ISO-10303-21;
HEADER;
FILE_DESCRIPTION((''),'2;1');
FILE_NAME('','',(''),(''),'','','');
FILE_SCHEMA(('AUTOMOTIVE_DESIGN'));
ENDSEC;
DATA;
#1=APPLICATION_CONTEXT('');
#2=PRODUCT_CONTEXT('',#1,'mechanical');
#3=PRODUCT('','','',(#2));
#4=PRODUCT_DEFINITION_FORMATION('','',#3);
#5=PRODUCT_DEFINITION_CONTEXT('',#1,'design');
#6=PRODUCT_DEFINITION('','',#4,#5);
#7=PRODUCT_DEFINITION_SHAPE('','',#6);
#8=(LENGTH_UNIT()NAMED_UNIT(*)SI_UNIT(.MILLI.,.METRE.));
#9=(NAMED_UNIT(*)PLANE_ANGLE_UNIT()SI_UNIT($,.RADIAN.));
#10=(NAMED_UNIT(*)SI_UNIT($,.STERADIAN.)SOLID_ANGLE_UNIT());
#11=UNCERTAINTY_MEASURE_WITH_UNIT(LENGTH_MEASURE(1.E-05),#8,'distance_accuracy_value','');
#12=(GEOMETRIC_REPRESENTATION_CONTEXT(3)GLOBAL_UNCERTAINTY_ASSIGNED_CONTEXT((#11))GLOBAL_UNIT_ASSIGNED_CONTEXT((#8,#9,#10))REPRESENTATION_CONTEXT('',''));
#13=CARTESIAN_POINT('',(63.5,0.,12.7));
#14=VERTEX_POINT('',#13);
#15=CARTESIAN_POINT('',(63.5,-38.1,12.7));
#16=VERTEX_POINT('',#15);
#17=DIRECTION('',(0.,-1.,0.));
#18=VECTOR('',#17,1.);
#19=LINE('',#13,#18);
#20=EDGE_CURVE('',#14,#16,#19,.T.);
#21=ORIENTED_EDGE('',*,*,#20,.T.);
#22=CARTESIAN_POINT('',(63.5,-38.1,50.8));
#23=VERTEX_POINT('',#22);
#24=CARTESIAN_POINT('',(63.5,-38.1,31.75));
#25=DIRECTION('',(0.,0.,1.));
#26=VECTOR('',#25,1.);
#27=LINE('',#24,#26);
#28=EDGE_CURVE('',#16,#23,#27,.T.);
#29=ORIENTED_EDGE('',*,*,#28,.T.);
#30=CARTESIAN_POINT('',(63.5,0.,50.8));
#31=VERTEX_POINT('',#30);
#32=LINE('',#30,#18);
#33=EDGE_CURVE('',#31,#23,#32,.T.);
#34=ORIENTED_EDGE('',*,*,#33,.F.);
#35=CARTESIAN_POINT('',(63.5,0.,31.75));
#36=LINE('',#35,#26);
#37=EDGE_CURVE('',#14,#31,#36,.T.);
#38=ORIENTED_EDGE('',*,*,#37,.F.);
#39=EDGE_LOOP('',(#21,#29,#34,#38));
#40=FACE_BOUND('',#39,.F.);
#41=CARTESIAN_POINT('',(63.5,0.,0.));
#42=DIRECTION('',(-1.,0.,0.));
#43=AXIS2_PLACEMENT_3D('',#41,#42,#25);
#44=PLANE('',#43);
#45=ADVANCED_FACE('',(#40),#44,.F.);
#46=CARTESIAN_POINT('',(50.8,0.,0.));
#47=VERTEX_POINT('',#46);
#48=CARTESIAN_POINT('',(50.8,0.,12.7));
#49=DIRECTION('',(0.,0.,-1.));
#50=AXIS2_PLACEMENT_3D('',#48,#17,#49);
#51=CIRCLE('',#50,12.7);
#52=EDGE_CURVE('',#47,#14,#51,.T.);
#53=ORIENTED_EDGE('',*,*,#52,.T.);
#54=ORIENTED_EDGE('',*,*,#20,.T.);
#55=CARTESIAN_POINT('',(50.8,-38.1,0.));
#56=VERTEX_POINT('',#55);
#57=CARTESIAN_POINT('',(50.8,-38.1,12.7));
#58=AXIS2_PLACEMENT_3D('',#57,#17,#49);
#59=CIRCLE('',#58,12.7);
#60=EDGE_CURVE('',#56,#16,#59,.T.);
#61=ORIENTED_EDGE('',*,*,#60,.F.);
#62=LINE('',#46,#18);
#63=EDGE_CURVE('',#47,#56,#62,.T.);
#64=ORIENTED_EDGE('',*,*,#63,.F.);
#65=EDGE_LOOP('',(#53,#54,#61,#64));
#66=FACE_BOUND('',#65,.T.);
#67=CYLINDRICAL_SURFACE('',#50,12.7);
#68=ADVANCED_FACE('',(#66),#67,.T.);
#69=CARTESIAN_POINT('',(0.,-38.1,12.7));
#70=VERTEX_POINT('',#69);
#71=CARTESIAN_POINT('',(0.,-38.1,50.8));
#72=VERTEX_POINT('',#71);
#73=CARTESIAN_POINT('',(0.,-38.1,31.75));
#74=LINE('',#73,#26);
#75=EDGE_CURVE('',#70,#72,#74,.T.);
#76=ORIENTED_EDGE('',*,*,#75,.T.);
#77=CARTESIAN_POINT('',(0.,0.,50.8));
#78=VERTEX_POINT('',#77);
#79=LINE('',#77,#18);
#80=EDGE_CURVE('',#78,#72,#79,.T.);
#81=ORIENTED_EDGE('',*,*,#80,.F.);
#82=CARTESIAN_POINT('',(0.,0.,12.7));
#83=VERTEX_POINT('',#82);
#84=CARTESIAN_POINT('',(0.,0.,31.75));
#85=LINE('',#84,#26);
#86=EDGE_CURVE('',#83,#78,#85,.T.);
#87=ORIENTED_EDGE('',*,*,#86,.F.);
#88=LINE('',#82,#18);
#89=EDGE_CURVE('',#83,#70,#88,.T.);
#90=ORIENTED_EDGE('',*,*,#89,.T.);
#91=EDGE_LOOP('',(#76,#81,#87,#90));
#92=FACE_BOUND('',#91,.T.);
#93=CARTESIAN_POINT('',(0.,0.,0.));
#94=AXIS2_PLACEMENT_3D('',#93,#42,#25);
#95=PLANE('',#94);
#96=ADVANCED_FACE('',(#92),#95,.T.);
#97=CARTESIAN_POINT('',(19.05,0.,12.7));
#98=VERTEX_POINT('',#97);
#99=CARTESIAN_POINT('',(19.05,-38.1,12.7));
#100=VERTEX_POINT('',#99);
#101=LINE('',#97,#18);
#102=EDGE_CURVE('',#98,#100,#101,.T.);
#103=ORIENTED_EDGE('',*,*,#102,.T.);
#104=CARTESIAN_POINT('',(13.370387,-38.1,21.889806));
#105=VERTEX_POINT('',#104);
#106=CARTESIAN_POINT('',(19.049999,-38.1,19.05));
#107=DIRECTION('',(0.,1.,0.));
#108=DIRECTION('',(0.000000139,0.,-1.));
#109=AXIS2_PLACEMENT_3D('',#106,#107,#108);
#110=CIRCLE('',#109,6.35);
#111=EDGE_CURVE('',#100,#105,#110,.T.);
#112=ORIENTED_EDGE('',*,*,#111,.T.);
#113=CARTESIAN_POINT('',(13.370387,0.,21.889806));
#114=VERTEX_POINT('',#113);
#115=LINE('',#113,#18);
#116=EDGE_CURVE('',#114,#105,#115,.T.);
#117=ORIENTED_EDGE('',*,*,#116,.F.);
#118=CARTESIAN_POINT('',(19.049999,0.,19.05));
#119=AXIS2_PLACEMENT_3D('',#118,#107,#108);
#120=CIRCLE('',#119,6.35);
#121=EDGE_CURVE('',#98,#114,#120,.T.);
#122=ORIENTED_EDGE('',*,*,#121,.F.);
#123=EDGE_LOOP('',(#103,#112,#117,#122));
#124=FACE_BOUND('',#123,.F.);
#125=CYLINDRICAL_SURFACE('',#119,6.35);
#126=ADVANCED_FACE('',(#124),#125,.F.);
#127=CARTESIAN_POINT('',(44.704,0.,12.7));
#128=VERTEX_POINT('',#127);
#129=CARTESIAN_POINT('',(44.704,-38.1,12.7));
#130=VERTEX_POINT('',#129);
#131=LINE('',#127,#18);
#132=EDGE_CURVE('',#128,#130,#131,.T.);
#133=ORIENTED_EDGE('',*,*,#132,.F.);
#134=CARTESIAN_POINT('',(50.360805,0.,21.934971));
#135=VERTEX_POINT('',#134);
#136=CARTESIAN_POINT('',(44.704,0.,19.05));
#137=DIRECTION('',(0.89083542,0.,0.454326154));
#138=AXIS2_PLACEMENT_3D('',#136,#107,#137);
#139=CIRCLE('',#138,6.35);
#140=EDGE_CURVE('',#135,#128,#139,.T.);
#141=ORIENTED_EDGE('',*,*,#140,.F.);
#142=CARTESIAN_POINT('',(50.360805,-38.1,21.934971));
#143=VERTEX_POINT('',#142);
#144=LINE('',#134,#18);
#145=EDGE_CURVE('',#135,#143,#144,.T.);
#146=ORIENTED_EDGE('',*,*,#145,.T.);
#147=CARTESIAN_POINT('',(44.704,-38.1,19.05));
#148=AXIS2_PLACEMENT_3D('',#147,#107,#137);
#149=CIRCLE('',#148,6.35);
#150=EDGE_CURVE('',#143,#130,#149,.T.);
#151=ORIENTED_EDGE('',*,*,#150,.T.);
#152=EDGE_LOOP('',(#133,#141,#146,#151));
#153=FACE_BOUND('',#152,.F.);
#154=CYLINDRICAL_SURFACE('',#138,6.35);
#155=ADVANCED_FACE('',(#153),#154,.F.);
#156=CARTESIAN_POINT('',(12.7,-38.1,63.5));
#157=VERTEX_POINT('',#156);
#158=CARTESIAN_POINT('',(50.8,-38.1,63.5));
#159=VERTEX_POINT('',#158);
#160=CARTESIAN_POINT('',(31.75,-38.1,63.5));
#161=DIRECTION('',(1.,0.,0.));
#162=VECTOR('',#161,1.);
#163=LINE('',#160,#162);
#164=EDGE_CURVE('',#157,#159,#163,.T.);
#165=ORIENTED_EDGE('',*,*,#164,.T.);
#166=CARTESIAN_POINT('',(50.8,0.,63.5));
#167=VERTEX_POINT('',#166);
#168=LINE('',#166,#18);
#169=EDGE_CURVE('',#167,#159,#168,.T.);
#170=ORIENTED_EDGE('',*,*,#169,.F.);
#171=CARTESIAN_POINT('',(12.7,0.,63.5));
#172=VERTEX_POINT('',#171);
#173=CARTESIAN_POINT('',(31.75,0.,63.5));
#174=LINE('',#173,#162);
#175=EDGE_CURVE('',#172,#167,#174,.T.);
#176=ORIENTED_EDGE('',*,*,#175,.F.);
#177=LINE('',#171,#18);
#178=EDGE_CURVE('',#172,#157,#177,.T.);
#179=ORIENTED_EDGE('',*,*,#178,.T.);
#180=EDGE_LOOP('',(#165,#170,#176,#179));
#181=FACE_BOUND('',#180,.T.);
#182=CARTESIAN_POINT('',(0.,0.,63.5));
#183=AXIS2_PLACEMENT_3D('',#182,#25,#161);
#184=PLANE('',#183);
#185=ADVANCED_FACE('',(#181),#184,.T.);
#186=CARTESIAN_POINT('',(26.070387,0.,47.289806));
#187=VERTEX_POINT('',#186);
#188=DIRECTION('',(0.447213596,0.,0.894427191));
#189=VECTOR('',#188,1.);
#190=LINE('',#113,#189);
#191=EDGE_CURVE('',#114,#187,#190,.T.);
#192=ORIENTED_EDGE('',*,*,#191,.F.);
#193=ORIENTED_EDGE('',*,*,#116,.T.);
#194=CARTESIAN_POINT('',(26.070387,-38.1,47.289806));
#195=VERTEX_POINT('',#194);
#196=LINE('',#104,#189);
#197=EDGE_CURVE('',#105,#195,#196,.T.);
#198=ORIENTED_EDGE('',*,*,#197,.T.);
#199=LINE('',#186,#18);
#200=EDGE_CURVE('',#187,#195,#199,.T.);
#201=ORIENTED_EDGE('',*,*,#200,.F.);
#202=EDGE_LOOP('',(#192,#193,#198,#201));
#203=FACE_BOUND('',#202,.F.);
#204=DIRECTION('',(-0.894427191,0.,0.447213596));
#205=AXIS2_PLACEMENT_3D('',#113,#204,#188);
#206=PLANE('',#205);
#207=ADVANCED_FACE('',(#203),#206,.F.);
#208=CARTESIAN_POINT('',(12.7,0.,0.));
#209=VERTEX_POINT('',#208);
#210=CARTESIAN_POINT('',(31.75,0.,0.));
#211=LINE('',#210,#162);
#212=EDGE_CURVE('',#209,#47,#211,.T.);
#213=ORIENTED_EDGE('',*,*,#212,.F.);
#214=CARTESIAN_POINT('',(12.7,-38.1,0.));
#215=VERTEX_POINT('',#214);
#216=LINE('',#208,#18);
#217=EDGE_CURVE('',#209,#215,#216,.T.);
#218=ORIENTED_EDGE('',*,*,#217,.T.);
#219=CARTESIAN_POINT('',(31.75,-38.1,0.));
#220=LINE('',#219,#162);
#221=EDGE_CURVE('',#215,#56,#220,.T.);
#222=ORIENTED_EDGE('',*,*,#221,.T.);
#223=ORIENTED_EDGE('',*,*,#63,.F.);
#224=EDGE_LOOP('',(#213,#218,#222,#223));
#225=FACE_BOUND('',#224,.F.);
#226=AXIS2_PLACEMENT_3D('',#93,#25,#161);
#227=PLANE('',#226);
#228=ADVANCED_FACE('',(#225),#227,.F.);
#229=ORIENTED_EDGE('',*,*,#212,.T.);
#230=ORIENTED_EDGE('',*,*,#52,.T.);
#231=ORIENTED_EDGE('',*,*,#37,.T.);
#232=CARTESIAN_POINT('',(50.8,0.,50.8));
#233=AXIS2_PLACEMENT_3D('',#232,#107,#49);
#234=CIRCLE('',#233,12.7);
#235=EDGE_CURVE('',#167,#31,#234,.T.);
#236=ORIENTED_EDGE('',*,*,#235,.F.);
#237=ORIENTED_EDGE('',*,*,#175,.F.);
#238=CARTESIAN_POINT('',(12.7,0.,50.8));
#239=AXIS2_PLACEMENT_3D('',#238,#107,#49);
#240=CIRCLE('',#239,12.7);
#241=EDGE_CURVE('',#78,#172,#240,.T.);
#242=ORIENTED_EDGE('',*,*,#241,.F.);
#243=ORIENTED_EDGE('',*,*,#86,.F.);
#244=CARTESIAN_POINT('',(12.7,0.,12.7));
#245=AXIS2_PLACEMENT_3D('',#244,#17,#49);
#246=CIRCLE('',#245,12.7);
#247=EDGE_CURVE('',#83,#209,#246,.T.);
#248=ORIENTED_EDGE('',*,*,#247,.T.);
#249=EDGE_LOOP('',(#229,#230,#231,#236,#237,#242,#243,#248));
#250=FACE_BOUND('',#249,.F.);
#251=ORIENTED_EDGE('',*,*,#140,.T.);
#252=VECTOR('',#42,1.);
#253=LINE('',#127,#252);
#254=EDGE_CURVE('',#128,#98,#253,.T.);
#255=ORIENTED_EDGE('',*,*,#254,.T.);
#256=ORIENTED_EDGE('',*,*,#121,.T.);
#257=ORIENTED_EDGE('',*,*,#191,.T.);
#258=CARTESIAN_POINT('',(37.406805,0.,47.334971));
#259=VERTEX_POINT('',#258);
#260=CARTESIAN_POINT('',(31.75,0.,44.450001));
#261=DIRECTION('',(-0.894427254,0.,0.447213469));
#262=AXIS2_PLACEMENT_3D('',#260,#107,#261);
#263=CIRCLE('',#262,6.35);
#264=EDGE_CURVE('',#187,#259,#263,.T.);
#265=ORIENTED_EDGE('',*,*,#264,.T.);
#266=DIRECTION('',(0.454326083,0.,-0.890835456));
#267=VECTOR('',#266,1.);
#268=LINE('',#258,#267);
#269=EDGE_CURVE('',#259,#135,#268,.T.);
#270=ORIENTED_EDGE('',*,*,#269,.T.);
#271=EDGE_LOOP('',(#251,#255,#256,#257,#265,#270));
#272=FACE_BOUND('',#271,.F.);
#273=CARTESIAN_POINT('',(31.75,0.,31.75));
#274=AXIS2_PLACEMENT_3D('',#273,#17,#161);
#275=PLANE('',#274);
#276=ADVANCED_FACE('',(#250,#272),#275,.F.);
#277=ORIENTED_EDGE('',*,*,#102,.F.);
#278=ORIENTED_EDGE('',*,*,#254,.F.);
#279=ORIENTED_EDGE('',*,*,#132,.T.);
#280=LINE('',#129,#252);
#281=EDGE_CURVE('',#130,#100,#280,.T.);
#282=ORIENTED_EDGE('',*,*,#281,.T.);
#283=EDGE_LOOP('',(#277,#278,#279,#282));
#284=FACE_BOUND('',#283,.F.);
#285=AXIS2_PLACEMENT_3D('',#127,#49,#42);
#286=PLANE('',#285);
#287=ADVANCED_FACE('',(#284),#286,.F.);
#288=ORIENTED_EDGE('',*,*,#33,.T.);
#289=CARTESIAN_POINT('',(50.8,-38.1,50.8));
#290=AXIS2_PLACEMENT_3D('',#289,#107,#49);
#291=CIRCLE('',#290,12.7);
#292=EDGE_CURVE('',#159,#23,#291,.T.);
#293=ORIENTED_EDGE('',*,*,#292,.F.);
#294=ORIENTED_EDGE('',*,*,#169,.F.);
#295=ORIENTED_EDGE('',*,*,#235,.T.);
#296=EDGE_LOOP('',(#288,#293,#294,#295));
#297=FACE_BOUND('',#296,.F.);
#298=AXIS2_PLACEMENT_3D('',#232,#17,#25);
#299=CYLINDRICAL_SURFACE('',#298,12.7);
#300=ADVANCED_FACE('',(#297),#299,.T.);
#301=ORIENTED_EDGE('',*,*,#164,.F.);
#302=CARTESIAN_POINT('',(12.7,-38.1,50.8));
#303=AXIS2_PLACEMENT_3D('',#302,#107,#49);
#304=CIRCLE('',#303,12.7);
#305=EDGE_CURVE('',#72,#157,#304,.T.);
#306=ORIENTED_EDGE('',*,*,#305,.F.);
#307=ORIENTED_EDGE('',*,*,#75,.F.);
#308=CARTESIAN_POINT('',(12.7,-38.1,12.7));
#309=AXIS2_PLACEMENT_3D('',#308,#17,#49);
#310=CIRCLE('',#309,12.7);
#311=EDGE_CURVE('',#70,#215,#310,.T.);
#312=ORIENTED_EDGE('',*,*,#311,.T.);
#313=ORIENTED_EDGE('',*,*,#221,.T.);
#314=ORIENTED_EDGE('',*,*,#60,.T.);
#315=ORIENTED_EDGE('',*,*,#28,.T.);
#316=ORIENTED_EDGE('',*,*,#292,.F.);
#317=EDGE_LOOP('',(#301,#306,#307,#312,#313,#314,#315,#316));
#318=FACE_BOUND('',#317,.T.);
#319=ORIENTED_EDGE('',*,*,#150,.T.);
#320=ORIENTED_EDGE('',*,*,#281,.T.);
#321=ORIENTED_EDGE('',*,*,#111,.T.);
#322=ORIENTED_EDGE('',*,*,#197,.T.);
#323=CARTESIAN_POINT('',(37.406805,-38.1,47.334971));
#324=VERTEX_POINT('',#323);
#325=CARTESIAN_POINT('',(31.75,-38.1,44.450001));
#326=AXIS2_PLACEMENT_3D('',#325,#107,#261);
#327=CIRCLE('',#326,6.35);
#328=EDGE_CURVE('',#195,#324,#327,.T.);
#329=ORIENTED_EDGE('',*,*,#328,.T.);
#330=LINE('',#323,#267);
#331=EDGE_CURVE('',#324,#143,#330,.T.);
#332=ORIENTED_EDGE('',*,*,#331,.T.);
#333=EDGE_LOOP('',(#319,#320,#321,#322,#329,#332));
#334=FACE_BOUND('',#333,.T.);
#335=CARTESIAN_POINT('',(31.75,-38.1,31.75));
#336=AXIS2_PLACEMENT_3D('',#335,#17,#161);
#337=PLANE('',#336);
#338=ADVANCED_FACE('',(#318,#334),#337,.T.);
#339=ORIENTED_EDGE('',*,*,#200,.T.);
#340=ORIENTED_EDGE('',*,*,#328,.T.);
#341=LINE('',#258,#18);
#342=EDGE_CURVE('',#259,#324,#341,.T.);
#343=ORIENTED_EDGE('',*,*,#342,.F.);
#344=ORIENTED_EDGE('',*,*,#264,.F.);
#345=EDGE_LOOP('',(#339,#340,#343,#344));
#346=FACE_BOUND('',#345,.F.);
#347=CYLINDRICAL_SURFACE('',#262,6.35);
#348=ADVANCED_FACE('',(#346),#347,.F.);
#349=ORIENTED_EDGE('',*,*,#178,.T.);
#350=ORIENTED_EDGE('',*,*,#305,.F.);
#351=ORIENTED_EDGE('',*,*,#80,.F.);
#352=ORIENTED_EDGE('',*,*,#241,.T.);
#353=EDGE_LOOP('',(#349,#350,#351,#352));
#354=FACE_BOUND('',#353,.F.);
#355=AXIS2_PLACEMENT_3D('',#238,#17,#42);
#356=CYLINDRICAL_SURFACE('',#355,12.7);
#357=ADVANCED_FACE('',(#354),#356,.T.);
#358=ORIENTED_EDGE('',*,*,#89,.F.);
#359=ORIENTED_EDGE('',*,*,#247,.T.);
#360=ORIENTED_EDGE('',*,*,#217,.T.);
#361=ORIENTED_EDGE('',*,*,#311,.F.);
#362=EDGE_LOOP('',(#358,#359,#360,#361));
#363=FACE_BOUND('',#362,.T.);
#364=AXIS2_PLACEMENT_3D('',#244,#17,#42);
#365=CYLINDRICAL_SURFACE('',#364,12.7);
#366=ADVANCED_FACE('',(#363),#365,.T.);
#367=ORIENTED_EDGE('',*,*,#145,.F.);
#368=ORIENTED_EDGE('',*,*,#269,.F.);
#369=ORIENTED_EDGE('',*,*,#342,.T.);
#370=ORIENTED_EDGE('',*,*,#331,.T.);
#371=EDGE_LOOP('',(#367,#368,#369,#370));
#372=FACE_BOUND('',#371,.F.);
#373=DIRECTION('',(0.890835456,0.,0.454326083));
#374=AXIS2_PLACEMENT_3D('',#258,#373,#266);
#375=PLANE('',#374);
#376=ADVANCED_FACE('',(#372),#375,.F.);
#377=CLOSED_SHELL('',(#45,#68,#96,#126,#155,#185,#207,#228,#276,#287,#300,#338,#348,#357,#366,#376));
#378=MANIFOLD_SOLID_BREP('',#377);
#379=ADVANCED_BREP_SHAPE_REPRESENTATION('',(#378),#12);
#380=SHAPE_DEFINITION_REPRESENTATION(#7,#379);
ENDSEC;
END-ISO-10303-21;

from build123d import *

# Parameters (mm, degrees)
F0_W     = 63.5
F0_H     = 63.5
F1_DEPTH = 38.1
F2_R     = 12.7


with BuildPart() as f1:
    # F0 (on Front) → F1 (new body)
    with BuildSketch(Plane.XZ):
        with Locations((31.75, 31.75)):
            Rectangle(F0_W, F0_H)
        with BuildLine():
            ThreePointArc((26.070387, 47.289806), (31.724702, 50.79995), (37.406805, 47.334971))
            Line((37.406805, 47.334971), (50.360805, 21.934971))
            ThreePointArc((50.360805, 21.934971), (50.11889, 15.733154), (44.704, 12.7))
            Line((44.704, 12.7), (19.05, 12.7))
            ThreePointArc((19.05, 12.7), (13.648367, 15.711607), (13.370387, 21.889806))
            Line((13.370387, 21.889806), (26.070387, 47.289806))
        make_face(mode=Mode.SUBTRACT)
    extrude(amount=F1_DEPTH)

    # F2
    f2_edges = [f1.edges().sort_by_distance(p)[0] for p in [
        (63.5, -19.05, 0),
        (63.5, -19.05, 63.5),
        (0, -19.05, 63.5),
        (0, -19.05, 0),
    ]]
    fillet(f2_edges, radius=F2_R)


solid = f1.part
